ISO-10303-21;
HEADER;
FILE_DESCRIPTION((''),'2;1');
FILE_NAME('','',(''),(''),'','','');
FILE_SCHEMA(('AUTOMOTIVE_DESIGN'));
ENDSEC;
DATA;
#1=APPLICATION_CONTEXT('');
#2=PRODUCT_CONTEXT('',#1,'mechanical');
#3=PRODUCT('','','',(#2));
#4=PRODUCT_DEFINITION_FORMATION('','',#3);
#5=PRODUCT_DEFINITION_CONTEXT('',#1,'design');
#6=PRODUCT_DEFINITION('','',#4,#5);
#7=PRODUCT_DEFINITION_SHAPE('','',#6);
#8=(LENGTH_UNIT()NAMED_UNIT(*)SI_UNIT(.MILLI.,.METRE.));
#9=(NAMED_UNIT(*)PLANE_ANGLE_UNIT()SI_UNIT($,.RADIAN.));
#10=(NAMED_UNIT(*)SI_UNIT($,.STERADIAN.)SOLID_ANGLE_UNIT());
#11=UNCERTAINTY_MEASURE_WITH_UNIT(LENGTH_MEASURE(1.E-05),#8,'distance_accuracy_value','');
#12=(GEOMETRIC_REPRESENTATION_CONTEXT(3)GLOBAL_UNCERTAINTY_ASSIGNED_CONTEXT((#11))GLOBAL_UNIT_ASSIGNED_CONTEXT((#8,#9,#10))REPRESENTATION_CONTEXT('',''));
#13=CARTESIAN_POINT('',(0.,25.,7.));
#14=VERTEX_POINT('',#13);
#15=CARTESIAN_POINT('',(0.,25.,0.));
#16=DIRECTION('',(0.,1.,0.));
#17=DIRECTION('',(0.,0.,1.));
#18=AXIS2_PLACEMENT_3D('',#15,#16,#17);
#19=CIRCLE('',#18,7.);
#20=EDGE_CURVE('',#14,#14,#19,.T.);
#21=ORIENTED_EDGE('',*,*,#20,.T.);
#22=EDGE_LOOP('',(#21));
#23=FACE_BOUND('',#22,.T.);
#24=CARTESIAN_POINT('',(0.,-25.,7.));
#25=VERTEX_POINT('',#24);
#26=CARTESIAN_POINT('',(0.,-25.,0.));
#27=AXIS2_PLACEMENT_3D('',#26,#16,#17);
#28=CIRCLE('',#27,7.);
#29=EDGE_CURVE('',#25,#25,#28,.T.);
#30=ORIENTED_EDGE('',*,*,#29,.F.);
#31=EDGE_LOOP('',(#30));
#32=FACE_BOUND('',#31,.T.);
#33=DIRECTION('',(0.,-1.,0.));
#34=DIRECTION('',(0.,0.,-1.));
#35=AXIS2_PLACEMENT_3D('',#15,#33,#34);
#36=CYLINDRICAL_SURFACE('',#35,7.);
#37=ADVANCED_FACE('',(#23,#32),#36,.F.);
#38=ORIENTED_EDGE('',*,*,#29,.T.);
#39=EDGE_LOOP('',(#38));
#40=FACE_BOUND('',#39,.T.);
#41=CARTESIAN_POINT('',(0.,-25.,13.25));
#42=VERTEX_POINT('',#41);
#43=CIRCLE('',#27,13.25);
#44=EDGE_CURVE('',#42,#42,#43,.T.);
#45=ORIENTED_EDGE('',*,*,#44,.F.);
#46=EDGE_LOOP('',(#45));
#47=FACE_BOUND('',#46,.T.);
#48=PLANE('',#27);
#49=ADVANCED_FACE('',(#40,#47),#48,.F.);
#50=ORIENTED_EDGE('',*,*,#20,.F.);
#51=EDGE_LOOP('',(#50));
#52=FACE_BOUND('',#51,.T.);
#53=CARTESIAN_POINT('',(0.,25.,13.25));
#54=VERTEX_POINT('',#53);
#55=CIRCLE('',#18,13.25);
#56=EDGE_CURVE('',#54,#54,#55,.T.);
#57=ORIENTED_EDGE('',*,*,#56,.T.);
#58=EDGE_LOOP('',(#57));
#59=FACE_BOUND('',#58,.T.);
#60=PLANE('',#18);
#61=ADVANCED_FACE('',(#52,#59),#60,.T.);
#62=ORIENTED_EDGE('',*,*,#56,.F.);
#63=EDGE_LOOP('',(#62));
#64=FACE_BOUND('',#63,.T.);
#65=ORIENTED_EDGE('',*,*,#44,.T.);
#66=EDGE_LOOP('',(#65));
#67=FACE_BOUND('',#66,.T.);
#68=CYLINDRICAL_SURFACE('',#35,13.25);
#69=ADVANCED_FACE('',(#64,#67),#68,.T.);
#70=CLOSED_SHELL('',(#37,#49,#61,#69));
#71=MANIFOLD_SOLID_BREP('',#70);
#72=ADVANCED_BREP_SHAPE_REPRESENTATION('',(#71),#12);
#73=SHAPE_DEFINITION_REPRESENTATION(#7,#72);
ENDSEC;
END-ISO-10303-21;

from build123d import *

# Parameters (mm, degrees)
SKETCH1_R           = 13.25
SKETCH1_R_2         = 7
BOSS_EXTRUDE1_DEPTH = 25


with BuildPart() as part:
    # Sketch1 → Boss-Extrude1 (new, symmetric)
    with BuildSketch(Plane(origin=(0, 0, 0), x_dir=(1, 0, 0), z_dir=(0, 1, 0))):
        with Locations(Location((0, 0, 0), (0, 0, 270))):
            Circle(SKETCH1_R)
        with Locations(Location((0, 0, 0), (0, 0, 270))):
            Circle(SKETCH1_R_2, mode=Mode.SUBTRACT)
    extrude(amount=BOSS_EXTRUDE1_DEPTH, both=True)


solid = part.part
